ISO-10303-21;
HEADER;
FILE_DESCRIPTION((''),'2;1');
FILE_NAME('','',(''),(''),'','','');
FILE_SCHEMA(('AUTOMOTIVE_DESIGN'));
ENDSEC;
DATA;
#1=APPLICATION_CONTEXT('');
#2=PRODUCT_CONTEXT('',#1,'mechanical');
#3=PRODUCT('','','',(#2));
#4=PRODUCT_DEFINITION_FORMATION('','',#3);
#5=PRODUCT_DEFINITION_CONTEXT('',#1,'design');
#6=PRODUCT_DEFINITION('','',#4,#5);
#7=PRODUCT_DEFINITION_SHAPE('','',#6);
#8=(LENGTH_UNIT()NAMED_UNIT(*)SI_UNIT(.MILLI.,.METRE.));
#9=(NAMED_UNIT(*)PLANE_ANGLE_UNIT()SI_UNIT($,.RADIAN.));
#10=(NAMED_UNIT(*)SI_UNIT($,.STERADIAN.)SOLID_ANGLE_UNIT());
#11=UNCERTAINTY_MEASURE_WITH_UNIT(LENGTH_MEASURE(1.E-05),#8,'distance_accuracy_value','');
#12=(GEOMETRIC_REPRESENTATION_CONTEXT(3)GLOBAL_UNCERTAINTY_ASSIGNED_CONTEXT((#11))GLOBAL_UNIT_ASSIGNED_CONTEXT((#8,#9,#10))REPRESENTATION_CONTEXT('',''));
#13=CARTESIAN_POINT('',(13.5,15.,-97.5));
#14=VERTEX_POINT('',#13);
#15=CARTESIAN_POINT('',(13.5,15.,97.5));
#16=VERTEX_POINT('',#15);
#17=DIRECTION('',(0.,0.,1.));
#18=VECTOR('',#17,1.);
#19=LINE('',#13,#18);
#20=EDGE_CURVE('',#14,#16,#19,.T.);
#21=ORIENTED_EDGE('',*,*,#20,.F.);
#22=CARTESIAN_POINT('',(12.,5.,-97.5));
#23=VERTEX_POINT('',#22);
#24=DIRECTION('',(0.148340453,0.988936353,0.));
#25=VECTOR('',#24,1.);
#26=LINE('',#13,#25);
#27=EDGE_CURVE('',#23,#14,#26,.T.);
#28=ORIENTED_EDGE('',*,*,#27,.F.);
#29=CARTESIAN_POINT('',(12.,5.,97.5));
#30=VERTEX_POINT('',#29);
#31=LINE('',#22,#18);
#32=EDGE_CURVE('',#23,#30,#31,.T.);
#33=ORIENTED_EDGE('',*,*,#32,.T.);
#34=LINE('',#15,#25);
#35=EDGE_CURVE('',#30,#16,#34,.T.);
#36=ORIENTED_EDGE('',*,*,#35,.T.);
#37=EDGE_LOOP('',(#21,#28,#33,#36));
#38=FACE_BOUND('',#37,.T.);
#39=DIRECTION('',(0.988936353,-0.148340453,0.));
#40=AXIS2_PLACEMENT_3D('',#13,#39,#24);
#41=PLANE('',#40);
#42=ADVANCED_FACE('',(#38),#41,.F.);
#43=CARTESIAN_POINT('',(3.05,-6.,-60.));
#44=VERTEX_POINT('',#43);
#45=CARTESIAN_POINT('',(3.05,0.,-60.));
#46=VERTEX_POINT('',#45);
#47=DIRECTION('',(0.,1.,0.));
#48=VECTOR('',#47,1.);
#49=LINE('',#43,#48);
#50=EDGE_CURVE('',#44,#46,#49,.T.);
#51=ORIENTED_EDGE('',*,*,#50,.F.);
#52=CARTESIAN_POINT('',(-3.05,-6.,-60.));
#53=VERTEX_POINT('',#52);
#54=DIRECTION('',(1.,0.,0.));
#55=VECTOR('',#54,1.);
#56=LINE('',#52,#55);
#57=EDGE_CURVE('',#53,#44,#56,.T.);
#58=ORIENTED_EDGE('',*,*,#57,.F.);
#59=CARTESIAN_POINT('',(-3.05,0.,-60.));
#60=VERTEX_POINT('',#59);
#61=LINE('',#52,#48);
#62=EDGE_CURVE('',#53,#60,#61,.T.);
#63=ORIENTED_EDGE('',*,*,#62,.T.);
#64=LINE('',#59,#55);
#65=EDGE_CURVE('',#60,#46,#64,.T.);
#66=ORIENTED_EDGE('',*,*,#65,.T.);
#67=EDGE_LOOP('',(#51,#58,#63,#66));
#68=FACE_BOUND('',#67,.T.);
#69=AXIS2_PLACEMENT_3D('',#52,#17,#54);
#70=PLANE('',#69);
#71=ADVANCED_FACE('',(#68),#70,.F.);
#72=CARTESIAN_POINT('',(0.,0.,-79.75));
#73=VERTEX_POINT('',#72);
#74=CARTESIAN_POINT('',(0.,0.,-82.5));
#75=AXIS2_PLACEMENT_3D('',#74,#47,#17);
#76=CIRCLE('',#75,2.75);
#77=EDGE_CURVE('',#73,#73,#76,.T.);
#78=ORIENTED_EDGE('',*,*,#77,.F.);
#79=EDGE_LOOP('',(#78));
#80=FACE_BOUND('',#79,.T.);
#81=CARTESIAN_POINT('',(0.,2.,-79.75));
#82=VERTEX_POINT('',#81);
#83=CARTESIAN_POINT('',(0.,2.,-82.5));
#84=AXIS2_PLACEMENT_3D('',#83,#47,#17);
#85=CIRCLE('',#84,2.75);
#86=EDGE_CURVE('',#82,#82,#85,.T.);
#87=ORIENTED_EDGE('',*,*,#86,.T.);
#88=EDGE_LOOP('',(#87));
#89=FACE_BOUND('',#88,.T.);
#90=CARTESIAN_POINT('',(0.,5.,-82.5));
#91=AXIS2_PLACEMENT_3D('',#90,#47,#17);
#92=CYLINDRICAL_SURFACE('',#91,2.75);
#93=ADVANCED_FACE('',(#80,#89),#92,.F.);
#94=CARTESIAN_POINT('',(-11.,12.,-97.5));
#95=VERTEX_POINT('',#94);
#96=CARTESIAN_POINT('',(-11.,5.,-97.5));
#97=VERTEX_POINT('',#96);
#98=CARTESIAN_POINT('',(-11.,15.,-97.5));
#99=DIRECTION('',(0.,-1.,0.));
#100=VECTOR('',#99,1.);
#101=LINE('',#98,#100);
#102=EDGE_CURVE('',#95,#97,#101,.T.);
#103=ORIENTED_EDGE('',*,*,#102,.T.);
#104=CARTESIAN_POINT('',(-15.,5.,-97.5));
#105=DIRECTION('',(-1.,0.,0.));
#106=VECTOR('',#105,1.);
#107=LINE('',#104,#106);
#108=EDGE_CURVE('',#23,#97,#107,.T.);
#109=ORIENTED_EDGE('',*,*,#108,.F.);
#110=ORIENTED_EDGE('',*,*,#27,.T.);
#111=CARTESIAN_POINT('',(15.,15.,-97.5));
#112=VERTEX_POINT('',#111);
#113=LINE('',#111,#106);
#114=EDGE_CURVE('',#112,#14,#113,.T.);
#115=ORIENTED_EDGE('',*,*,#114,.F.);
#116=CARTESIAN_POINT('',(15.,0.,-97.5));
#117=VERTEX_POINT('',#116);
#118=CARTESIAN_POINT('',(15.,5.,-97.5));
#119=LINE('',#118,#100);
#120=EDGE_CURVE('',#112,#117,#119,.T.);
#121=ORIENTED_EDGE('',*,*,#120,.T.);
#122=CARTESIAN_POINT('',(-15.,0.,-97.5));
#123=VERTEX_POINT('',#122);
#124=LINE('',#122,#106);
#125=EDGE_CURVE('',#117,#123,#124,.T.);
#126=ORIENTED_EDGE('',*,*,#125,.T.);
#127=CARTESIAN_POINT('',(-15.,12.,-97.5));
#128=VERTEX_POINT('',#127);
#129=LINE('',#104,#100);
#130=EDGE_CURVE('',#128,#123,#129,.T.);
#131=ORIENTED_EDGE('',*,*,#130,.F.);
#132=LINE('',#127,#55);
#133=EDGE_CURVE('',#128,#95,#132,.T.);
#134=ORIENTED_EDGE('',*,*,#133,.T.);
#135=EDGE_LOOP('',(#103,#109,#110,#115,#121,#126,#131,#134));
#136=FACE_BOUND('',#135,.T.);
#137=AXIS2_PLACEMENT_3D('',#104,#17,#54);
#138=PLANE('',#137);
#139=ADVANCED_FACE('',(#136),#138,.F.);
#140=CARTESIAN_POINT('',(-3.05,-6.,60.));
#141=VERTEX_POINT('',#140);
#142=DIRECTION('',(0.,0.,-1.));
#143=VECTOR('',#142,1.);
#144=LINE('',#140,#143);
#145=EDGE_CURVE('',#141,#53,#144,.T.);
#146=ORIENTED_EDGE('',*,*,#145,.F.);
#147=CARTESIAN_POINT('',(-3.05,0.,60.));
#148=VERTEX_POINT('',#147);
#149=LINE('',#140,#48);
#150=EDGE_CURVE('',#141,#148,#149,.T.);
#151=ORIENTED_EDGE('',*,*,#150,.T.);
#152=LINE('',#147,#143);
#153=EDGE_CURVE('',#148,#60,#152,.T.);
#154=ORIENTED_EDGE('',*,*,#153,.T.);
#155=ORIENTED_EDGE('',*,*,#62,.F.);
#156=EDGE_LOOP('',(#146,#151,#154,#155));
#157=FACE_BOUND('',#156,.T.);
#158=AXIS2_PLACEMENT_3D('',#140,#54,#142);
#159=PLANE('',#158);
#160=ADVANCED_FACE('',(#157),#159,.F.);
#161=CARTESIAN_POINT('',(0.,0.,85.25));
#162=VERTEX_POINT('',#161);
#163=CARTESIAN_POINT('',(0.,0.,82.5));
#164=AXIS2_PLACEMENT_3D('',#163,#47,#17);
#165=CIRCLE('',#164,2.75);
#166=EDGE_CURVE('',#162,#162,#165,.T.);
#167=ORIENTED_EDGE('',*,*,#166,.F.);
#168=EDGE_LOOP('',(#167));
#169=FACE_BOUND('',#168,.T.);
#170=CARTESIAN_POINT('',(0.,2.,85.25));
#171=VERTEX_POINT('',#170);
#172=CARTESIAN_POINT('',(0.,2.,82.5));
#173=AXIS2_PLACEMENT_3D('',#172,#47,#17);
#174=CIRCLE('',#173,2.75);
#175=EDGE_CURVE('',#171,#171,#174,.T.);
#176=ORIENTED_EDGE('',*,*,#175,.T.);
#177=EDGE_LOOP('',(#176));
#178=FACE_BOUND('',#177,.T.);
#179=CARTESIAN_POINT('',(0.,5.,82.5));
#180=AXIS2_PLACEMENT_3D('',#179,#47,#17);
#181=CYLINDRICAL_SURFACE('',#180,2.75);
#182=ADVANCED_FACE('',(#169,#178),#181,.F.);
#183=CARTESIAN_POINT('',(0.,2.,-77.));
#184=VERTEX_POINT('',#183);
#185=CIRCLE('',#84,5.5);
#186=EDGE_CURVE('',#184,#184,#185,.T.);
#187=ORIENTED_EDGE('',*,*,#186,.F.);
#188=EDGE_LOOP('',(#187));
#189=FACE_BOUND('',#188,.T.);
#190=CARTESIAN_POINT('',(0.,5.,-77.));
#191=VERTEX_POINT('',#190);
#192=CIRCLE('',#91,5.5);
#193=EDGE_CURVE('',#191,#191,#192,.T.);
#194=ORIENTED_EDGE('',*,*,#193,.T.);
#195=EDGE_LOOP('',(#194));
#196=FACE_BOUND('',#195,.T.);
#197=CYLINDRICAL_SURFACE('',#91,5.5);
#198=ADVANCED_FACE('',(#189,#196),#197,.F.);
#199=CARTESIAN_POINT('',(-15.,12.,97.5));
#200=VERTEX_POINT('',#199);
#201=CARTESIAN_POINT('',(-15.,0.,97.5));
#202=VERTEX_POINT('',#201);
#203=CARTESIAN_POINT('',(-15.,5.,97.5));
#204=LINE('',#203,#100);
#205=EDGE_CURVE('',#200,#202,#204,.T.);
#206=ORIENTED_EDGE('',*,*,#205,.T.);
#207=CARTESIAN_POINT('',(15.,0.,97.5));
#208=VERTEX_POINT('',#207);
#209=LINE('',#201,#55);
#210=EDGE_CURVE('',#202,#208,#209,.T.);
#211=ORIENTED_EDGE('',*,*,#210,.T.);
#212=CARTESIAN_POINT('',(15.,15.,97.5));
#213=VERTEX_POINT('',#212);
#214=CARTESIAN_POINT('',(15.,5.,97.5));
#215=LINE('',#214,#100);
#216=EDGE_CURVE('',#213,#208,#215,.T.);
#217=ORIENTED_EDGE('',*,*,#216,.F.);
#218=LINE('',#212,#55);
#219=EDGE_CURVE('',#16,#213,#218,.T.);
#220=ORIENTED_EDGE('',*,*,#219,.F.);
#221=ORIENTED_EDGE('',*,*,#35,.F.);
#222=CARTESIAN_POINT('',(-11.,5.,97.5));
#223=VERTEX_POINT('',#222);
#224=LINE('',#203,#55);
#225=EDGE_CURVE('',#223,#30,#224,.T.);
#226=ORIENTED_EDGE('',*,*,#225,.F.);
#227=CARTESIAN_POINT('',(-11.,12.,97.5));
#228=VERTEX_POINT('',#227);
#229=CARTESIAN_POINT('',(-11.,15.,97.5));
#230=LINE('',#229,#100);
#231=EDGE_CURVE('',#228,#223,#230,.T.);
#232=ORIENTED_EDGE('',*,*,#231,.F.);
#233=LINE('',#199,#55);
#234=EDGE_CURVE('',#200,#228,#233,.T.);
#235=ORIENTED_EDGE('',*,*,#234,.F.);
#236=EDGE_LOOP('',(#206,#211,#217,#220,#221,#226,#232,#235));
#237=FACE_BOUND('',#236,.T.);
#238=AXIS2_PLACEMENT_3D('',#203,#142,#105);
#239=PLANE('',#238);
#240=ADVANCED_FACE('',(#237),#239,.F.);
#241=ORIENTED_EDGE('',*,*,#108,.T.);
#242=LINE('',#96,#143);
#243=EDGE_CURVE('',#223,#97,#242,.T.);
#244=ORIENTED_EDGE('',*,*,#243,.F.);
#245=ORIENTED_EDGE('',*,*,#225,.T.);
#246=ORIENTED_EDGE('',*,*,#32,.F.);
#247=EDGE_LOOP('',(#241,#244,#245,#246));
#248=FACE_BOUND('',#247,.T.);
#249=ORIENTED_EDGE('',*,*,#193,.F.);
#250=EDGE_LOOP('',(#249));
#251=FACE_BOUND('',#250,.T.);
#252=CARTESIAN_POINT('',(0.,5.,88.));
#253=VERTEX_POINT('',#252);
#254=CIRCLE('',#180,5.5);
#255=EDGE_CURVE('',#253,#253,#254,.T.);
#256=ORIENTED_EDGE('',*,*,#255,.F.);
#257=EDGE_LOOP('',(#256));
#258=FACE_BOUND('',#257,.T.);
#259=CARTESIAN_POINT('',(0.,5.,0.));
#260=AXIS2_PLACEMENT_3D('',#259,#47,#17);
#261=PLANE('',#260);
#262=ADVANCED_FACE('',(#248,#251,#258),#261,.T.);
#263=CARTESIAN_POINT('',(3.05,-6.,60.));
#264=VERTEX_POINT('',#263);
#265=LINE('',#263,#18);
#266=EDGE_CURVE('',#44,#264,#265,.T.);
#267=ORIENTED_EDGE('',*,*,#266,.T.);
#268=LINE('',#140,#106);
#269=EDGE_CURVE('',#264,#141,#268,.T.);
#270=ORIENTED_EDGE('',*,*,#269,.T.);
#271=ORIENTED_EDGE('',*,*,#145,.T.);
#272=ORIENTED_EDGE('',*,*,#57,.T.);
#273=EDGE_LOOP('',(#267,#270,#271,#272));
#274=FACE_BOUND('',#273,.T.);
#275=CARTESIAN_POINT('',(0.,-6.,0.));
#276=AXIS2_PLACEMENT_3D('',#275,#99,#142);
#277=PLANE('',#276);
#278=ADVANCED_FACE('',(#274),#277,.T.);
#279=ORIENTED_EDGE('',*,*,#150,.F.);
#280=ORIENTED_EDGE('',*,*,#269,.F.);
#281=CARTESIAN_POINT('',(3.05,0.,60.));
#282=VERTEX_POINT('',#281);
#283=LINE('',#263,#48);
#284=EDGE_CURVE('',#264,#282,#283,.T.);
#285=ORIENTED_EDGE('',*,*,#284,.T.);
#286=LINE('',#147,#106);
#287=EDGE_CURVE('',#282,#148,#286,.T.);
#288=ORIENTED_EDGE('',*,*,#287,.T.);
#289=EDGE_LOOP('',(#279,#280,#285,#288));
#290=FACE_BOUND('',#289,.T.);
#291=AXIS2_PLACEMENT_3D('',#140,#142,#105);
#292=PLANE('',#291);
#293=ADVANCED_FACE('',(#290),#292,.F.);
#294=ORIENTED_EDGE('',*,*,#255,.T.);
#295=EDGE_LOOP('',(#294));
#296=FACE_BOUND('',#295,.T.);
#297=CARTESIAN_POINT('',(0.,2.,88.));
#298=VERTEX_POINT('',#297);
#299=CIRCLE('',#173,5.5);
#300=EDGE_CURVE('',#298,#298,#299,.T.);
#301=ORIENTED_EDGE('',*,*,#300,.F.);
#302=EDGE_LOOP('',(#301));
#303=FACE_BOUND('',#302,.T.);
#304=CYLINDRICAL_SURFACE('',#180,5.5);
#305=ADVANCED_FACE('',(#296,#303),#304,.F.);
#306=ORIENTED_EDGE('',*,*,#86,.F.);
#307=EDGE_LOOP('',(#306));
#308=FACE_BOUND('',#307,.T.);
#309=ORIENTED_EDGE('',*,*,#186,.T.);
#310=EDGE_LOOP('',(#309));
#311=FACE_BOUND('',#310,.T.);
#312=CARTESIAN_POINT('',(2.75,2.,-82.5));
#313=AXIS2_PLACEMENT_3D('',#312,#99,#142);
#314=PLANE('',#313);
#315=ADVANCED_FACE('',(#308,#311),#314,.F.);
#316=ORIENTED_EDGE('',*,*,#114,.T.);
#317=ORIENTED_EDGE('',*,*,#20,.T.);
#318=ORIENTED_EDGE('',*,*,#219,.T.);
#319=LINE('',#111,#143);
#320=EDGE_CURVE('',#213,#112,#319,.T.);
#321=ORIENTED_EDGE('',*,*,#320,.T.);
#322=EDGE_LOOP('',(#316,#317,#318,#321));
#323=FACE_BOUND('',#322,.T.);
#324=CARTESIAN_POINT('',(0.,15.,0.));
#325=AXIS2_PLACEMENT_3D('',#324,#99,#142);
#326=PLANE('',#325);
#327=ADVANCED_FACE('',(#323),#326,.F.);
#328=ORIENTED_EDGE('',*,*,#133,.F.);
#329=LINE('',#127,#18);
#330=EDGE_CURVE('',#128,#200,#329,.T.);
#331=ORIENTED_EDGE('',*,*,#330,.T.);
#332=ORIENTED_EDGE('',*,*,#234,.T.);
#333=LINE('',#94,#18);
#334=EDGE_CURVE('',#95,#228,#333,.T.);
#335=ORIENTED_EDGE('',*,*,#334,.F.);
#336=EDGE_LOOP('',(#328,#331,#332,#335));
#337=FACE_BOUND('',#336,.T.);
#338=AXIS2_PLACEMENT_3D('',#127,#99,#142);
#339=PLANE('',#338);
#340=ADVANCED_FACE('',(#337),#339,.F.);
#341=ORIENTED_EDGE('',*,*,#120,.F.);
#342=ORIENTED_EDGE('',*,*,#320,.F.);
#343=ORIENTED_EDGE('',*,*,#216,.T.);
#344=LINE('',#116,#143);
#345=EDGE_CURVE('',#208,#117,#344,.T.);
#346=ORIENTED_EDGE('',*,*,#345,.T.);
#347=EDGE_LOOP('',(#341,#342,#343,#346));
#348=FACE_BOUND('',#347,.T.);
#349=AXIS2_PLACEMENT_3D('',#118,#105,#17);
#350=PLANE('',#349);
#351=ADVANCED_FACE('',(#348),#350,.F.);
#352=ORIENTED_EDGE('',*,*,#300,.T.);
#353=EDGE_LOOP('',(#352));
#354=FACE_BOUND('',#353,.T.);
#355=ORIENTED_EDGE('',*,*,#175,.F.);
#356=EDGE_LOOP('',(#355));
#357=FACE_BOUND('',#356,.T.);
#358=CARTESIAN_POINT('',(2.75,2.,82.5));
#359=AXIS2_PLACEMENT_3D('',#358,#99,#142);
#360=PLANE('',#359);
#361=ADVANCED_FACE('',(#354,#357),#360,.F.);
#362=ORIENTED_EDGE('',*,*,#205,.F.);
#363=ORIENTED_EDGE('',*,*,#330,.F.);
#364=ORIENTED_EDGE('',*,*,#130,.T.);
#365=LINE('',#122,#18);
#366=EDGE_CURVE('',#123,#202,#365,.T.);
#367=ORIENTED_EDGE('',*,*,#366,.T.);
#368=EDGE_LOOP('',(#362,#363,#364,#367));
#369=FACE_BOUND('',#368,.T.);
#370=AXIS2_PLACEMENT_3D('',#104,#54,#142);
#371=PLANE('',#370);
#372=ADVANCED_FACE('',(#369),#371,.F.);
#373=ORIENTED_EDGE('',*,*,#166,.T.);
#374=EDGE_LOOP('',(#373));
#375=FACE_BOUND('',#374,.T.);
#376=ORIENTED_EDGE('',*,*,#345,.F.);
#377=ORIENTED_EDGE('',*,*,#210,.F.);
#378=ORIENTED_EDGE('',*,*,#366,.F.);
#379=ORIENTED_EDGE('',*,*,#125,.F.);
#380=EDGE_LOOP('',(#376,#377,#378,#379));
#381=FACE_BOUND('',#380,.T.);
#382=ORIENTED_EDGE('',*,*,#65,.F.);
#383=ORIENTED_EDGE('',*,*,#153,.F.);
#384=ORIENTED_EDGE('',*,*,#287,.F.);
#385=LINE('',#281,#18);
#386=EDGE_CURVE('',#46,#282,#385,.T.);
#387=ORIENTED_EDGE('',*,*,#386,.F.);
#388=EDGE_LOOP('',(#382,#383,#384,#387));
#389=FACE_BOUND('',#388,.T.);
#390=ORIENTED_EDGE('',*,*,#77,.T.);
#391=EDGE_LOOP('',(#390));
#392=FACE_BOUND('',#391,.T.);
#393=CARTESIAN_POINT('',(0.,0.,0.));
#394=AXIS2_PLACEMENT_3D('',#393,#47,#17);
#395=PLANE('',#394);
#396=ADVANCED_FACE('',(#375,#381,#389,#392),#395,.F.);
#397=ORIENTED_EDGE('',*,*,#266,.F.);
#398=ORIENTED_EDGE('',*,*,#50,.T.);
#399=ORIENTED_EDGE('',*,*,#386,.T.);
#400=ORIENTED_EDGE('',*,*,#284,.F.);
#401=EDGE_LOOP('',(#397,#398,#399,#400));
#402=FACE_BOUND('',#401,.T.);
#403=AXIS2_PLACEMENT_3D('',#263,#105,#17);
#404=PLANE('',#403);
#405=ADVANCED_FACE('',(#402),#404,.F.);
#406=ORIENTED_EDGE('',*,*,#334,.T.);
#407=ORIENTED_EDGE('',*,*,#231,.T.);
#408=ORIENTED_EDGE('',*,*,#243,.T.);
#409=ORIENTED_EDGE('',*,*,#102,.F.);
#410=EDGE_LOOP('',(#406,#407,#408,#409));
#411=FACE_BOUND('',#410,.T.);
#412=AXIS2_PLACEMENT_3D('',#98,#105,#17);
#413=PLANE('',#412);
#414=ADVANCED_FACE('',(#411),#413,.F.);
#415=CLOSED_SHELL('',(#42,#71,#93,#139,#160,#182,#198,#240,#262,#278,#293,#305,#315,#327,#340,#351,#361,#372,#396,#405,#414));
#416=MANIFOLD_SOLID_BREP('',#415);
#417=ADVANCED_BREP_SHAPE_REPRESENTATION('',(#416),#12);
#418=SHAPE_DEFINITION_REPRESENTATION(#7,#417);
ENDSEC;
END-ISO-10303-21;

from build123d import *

# Parameters (mm, degrees)
SKETCH_1_W                   = 30
SKETCH_1_H                   = 195
EXTRUDE_1_DEPTH              = 5
SKETCH_2_W                   = 4
SKETCH_2_H                   = 195
SKETCH_2_W_2                 = 3
EXTRUDE_2_DEPTH              = 10
SKETCH_3_W                   = 4
SKETCH_3_H                   = 3
CUT_EXTRUDE_1_DEPTH          = 197.150452459
HOLE_WIZARD_M5_1_D           = 5.5
HOLE_WIZARD_M5_1_CBORE_D     = 11
HOLE_WIZARD_M5_1_CBORE_DEPTH = 3
SKETCH_7_W                   = 6.1
SKETCH_7_H                   = 120
EXTRUDE_3_DEPTH              = 6


with BuildPart() as part:
    # 스케치1 → 보스-돌출1 (new body)
    with BuildSketch(Plane(origin=(0, 0, 0), x_dir=(1, 0, 0), z_dir=(0, 1, 0))):
        Rectangle(SKETCH_1_W, SKETCH_1_H)
    extrude(amount=EXTRUDE_1_DEPTH)

    # 스케치2 → 보스-돌출2 (add)
    with BuildSketch(Plane(origin=(0, 5, 0), x_dir=(1, 0, 0), z_dir=(0, 1, 0))):
        with Locations((-13, 0)):
            Rectangle(SKETCH_2_W, SKETCH_2_H)
        with Locations((13.5, 0)):
            Rectangle(SKETCH_2_W_2, SKETCH_2_H)
    extrude(amount=EXTRUDE_2_DEPTH)

    # 스케치3 → 컷-돌출1 (cut, through all)
    with BuildSketch(Plane.XY.offset(97.5)):
        with Locations((-13, 13.5)):
            Rectangle(SKETCH_3_W, SKETCH_3_H)
        Polygon((12, 5), (12, 15), (13.5, 15), align=None)
    extrude(amount=-CUT_EXTRUDE_1_DEPTH, mode=Mode.SUBTRACT)

    # M5 소켓 머리 캡 나사용 카운터보어1 (through all)
    with Locations(Plane(origin=(0, 5, 0), x_dir=(1, 0, 0), z_dir=(0, 1, 0))):
        with Locations((0, -82.5), (0, 82.5)):
            CounterBoreHole(HOLE_WIZARD_M5_1_D / 2, HOLE_WIZARD_M5_1_CBORE_D / 2, HOLE_WIZARD_M5_1_CBORE_DEPTH)

    # 스케치7 → 보스-돌출3 (add)
    with BuildSketch(Plane.XZ):
        Rectangle(SKETCH_7_W, SKETCH_7_H)
    extrude(amount=EXTRUDE_3_DEPTH)


solid = part.part
